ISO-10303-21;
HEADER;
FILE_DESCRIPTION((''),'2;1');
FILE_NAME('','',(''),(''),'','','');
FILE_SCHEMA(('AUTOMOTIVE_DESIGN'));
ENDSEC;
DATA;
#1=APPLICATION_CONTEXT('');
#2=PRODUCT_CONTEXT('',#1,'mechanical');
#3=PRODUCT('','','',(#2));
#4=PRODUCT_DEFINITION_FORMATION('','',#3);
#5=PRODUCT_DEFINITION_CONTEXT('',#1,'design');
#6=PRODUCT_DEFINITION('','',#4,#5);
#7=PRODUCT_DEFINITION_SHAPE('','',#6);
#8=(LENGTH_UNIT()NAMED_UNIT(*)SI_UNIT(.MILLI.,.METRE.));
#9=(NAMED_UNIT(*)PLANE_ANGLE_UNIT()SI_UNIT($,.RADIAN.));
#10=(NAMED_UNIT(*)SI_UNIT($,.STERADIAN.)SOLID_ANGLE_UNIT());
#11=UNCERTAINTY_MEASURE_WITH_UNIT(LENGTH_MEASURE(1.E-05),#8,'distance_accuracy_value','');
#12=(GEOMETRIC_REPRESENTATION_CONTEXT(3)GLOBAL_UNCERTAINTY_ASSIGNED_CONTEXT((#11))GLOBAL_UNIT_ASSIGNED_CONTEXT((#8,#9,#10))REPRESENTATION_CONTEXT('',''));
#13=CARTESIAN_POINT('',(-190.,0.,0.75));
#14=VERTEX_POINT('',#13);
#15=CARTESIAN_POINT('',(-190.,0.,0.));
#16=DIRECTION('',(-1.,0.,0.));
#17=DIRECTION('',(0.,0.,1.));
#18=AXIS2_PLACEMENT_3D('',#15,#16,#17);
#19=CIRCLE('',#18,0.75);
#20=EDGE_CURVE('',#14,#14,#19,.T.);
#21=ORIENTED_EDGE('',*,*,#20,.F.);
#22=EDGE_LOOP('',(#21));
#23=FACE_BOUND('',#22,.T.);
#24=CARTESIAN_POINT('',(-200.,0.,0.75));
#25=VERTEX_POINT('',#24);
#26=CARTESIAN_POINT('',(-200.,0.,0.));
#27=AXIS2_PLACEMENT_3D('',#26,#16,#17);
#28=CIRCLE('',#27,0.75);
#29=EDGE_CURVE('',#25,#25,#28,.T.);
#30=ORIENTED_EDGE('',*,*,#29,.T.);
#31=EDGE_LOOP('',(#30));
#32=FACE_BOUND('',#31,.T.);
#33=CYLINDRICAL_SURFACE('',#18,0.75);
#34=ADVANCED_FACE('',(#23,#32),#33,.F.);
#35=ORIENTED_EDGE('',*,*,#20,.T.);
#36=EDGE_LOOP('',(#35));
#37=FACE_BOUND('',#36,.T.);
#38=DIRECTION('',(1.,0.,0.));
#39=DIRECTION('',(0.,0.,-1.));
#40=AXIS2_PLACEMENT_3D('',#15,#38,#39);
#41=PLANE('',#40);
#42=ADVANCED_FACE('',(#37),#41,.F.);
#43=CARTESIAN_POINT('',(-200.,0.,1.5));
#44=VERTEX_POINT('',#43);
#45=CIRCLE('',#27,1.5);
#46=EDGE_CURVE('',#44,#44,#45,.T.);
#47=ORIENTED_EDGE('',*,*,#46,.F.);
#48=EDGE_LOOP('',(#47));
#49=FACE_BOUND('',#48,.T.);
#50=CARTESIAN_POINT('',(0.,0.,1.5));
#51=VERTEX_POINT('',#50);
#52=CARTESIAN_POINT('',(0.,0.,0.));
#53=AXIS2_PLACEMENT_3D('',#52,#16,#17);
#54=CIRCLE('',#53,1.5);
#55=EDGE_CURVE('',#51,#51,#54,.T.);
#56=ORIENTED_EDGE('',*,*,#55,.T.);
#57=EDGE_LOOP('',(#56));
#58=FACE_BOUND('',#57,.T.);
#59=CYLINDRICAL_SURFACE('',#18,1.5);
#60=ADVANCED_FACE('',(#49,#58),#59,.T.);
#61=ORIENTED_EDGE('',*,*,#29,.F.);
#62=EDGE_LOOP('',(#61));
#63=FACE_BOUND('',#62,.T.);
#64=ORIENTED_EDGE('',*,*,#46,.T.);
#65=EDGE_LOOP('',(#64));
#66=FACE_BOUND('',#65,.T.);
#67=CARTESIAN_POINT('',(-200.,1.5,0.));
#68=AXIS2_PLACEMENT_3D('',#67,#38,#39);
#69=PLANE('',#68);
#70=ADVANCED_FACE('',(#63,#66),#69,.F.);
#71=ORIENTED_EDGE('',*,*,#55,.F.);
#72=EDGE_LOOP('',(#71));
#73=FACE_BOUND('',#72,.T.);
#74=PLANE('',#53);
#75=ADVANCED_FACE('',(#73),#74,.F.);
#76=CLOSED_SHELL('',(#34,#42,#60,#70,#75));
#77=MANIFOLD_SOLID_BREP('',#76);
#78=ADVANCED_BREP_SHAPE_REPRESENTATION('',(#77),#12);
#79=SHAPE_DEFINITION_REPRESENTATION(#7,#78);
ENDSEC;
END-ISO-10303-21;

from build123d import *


with BuildPart() as part:
    # Sketch2 → Revolve1 (revolve)
    with BuildSketch(Plane.XY, mode=Mode.PRIVATE) as revolve1_sk:
        Polygon((0, 0), (0, 1.5), (-200, 1.5), (-200, 0.75), (-190, 0.75), (-190, 0), align=None)
    revolve(revolve1_sk.sketch.rotate(Axis((-190, 0, 0), (1, 0, 0)), 90), axis=Axis((-190, 0, 0), (1, 0, 0)))


solid = part.part
